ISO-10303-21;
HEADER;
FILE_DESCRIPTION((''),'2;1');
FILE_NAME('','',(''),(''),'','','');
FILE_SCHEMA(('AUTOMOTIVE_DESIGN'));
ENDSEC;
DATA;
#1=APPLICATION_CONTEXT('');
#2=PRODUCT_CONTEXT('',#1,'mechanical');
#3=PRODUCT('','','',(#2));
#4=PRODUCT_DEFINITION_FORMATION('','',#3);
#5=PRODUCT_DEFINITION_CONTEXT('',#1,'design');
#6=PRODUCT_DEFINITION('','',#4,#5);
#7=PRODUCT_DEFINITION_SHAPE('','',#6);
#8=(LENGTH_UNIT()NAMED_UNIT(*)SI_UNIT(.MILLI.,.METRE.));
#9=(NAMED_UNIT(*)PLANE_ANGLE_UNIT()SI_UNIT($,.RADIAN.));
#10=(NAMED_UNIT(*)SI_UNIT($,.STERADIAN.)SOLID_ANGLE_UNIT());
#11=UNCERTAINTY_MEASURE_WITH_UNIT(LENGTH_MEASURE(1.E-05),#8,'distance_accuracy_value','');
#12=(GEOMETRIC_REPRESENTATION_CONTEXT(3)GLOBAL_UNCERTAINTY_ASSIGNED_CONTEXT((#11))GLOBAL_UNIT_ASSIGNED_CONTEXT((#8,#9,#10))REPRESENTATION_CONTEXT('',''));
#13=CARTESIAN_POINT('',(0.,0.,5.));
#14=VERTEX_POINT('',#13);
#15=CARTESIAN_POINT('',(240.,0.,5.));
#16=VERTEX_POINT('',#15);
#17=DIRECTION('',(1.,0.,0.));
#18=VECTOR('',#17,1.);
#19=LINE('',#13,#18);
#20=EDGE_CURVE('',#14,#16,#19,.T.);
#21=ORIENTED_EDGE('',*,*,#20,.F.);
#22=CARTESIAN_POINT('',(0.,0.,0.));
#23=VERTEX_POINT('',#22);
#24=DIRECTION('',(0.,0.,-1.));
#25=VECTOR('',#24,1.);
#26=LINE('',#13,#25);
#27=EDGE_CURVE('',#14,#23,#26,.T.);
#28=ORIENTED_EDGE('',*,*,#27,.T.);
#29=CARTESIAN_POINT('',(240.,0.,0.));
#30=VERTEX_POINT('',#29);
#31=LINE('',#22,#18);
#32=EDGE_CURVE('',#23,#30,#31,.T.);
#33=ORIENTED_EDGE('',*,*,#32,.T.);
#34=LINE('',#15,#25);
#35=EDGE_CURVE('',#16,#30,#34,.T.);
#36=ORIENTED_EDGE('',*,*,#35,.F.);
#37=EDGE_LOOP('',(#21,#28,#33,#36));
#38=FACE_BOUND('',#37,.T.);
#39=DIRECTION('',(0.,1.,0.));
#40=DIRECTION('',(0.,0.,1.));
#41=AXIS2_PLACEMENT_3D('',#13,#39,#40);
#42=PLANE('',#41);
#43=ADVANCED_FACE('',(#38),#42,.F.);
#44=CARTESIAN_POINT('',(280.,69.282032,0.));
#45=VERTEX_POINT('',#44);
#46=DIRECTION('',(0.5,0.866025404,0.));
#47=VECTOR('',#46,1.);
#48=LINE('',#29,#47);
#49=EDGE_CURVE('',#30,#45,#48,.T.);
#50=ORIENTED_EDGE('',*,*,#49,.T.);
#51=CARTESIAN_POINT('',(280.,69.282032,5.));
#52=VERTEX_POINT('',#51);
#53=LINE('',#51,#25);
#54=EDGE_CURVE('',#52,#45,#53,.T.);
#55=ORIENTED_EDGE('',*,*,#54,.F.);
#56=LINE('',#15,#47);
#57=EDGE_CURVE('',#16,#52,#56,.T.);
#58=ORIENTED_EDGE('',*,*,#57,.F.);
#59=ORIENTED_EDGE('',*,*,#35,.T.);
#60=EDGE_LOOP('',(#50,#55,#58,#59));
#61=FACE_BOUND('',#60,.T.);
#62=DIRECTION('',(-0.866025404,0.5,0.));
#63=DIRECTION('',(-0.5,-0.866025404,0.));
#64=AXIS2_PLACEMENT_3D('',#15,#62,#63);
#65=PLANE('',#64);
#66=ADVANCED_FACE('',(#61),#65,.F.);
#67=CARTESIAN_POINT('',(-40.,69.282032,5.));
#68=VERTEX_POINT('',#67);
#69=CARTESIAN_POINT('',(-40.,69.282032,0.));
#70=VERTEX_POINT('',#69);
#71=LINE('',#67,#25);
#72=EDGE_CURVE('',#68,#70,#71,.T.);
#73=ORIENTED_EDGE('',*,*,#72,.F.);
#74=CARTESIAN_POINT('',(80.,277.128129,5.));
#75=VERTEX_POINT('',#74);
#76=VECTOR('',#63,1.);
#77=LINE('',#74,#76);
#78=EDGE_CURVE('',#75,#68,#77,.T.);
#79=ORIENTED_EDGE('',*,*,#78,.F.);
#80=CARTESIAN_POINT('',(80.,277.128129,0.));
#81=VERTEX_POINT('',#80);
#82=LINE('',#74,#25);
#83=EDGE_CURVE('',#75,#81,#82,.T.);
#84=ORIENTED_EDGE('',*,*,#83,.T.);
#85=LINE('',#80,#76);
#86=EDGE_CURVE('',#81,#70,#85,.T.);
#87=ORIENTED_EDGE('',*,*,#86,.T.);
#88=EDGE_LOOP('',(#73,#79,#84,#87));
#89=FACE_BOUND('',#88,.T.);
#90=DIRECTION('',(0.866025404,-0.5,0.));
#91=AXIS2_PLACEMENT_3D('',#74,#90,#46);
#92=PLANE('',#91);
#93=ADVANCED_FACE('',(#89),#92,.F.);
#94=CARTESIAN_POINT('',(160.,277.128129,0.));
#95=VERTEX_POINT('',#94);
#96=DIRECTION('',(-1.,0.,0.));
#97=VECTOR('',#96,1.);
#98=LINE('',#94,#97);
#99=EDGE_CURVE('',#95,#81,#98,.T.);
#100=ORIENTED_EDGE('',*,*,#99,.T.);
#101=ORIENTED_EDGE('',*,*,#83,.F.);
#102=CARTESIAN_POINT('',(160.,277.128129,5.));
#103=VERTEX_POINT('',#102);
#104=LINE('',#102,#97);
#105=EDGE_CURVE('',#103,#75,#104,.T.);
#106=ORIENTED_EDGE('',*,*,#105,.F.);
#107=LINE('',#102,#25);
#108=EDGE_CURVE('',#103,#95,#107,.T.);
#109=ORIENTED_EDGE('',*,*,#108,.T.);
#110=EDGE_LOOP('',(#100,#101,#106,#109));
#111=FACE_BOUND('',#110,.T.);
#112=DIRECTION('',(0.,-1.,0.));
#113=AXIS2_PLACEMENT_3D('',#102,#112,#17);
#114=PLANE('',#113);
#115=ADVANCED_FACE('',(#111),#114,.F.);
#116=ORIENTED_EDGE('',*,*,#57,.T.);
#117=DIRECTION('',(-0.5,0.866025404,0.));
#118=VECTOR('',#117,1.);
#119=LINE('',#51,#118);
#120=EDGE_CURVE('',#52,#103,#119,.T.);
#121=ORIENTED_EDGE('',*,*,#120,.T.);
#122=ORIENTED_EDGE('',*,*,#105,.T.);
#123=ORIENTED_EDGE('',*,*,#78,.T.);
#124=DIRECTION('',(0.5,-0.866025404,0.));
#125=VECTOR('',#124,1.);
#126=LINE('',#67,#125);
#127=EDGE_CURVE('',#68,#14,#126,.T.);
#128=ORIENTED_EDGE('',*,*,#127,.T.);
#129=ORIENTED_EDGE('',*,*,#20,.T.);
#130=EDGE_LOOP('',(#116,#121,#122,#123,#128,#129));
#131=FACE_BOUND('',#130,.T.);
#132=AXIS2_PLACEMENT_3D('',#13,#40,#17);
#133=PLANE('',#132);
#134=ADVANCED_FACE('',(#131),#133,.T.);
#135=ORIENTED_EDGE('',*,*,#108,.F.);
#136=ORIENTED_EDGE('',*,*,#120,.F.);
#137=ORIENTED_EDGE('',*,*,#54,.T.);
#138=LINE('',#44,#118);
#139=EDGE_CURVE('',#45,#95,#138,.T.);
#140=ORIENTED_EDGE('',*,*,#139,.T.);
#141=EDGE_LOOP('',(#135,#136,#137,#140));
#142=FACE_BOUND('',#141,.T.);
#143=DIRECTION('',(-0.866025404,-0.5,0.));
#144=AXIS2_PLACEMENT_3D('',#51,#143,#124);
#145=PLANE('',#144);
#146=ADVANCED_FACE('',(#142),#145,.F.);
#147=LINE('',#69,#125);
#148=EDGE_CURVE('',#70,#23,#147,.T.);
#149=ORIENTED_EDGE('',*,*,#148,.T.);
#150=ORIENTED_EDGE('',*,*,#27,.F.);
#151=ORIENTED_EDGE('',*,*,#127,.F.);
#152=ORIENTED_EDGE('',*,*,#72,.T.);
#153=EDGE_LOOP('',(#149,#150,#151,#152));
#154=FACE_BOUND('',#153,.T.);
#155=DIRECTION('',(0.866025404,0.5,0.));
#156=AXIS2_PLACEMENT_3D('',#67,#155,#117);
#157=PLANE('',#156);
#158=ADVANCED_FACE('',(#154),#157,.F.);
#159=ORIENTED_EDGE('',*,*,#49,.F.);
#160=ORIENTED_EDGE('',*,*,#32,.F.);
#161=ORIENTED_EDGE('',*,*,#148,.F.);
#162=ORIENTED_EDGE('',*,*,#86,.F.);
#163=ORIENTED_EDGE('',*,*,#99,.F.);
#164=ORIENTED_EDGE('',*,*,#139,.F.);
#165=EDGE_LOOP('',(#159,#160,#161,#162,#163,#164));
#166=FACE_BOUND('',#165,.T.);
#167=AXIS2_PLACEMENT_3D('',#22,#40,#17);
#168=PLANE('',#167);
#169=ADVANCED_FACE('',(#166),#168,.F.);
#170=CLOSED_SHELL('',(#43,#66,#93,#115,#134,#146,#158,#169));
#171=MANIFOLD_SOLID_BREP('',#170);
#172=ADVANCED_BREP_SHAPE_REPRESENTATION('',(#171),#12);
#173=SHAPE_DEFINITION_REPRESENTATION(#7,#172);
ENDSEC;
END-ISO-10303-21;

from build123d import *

# Parameters (mm, degrees)
BOSS_EXTRUDE1_DEPTH = 5


with BuildPart() as part:
    # Sketch1 → Boss-Extrude1 (new body)
    with BuildSketch(Plane.XY):
        Polygon((0, 0), (240, 0), (280, 69.282032303), (160, 277.128129211), (80, 277.128129211), (-40, 69.282032303), align=None)
    extrude(amount=BOSS_EXTRUDE1_DEPTH)


solid = part.part
